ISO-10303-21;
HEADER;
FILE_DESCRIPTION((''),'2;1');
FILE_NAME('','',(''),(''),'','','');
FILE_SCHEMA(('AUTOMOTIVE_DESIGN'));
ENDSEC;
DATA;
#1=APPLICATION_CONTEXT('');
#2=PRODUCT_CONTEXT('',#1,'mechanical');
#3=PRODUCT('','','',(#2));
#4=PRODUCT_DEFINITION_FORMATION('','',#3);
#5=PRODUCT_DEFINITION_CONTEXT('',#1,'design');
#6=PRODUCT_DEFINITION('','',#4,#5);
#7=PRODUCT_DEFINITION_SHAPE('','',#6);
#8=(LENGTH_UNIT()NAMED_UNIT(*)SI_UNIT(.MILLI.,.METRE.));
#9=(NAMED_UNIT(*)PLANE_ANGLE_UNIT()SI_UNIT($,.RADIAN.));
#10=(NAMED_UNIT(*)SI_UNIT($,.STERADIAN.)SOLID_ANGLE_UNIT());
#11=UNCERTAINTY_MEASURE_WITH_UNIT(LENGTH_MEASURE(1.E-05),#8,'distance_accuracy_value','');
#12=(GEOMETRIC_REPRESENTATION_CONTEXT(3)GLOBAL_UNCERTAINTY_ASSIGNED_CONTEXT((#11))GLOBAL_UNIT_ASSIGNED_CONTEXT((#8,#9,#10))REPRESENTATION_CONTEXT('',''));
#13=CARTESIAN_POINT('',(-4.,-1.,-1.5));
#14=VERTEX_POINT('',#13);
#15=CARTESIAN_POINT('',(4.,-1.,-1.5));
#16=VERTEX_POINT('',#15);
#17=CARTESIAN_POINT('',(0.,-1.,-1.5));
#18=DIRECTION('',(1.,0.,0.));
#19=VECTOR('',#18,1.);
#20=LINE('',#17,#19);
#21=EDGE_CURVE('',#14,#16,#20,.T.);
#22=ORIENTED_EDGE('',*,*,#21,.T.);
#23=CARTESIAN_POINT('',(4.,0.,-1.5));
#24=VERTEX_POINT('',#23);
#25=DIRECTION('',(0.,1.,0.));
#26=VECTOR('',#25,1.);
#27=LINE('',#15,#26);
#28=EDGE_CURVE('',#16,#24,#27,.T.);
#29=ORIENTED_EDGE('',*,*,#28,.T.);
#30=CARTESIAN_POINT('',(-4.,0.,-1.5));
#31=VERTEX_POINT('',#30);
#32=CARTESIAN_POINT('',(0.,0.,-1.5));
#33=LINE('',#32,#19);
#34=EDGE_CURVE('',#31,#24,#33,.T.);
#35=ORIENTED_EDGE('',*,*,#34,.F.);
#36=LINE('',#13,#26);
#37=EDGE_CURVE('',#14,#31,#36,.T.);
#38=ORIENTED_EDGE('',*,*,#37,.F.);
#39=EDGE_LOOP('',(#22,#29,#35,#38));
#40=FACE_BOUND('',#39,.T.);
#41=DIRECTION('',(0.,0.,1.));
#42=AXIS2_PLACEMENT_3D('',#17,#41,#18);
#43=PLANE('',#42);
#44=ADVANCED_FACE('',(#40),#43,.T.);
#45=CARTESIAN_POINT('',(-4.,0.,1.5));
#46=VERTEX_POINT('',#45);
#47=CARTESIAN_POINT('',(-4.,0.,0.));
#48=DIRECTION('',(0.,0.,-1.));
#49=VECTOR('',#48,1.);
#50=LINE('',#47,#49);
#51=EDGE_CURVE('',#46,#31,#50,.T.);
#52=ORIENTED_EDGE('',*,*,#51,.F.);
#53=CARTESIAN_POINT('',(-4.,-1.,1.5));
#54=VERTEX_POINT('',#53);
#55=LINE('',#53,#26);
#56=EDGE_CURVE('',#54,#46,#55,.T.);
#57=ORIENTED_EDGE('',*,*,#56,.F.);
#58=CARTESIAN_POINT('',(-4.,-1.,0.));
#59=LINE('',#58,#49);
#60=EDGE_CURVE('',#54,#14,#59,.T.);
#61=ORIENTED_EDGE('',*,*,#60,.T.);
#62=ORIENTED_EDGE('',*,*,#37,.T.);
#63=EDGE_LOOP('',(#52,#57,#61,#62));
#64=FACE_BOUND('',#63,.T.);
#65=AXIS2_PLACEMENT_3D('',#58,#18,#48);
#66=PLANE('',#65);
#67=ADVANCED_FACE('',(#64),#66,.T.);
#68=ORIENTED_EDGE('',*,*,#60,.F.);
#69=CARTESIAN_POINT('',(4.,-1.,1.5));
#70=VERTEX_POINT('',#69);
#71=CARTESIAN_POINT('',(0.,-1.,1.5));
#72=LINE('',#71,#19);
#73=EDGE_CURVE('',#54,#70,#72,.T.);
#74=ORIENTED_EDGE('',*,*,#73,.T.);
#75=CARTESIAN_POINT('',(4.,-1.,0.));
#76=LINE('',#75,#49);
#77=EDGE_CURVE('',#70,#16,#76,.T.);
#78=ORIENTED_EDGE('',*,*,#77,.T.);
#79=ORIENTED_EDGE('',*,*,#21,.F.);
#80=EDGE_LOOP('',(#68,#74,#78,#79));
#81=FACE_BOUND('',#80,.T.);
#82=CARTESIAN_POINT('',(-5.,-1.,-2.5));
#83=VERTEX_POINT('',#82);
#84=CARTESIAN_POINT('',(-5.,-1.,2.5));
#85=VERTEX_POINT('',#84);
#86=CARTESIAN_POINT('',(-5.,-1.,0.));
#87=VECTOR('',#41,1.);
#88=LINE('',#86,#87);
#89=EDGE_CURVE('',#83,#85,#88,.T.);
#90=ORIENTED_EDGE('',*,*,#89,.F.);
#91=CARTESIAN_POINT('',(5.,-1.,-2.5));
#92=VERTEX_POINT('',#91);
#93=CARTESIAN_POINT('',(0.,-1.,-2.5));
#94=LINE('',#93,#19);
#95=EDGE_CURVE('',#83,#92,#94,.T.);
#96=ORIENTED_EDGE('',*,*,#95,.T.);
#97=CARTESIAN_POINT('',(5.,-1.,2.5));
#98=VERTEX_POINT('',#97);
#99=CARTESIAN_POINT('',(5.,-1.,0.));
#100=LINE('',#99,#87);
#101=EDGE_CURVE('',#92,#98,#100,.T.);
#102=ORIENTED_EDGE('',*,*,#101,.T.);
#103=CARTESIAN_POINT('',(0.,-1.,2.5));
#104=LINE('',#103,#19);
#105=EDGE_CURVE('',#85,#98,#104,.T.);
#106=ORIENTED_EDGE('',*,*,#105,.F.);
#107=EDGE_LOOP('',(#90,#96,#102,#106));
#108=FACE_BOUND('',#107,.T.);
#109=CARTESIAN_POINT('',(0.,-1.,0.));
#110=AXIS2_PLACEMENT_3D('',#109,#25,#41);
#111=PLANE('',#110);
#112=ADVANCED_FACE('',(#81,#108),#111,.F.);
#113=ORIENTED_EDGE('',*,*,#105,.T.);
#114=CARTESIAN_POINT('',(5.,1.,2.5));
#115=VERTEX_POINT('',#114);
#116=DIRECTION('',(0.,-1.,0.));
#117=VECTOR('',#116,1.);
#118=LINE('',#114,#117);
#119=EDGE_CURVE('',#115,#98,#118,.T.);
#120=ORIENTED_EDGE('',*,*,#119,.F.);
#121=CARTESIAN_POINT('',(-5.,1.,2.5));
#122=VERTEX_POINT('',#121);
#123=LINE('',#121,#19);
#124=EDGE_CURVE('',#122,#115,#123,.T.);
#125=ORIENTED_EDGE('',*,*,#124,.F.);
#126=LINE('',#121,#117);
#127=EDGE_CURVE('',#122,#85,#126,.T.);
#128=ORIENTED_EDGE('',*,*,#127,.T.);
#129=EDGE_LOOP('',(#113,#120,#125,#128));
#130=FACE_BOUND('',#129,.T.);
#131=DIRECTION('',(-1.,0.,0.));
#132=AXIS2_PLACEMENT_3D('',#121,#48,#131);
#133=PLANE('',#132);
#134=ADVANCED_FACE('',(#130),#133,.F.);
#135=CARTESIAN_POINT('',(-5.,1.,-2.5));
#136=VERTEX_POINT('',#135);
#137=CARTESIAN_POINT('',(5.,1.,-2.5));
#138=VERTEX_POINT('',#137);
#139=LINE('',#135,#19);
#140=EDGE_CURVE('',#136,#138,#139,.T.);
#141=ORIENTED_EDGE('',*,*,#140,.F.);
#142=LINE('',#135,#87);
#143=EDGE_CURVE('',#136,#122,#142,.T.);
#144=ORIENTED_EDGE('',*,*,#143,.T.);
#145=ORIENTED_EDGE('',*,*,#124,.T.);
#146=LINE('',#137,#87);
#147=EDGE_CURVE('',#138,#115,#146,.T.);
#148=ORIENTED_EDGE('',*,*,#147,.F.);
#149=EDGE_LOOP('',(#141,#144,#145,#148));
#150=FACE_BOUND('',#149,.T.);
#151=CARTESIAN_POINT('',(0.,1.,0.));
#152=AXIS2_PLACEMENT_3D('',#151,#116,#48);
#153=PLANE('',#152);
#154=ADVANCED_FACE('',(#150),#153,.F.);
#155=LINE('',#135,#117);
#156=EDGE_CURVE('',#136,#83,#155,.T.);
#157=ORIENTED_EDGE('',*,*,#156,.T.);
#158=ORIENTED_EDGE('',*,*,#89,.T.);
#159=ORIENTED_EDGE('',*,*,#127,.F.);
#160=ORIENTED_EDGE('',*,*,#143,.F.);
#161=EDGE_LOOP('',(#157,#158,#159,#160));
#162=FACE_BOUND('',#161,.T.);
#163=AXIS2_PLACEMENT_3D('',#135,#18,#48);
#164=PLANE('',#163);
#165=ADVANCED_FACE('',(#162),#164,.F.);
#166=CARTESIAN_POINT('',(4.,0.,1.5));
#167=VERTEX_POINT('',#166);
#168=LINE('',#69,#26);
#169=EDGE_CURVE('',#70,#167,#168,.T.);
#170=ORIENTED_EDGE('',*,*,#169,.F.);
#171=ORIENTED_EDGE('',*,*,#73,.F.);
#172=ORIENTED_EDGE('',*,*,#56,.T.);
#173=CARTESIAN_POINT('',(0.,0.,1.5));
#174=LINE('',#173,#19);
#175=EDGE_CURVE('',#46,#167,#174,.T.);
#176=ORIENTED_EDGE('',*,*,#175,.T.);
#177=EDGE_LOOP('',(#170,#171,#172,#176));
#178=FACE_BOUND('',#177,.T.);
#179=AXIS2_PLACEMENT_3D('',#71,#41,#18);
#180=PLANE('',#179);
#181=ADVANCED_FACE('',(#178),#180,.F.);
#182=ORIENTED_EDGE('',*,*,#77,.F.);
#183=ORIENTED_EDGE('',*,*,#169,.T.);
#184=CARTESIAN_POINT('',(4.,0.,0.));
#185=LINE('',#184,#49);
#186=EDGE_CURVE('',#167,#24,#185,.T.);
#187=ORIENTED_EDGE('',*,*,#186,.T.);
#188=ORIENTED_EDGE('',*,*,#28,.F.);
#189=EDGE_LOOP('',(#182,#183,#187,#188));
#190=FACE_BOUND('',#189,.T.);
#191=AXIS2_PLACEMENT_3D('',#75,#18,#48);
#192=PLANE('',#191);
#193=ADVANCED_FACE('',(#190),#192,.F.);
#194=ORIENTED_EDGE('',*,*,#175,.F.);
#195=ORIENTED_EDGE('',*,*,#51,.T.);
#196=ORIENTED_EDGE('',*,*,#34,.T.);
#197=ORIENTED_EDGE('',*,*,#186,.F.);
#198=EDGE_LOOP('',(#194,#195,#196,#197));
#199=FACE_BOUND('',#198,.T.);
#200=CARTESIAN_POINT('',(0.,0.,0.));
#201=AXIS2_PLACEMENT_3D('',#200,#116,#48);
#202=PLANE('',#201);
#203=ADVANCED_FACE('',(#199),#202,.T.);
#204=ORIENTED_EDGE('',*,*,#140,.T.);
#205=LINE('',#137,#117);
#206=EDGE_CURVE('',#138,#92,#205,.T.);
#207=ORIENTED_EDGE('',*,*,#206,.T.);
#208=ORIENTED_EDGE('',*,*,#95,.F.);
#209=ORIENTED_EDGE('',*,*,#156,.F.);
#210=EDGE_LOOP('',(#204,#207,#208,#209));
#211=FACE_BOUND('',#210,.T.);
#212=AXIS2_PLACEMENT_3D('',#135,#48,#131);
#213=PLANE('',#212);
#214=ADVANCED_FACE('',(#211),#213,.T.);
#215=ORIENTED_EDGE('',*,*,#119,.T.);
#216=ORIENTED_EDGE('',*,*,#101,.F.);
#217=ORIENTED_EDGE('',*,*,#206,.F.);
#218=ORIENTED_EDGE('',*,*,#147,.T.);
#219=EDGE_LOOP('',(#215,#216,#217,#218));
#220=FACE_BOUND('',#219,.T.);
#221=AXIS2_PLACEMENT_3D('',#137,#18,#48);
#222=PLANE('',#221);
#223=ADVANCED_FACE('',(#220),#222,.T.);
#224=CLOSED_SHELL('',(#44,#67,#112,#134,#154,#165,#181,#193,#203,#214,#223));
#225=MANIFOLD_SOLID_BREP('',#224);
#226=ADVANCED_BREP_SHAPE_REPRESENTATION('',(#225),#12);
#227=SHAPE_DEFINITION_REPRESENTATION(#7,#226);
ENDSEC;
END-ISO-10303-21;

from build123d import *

# Parameters (mm, degrees)
SKETCH1_W           = 10
SKETCH1_H           = 5
BOSS_EXTRUDE1_DEPTH = 1
SKETCH1_3_W         = 10
SKETCH1_3_H         = 5
BOSS_EXTRUDE2_DEPTH = 1


with BuildPart() as part:
    # Sketch1 → Boss-Extrude1 (new body)
    with BuildSketch(Plane(origin=(0, 0, 0), x_dir=(1, 0, 0), z_dir=(0, 1, 0))):
        Rectangle(SKETCH1_W, SKETCH1_H)
    extrude(amount=BOSS_EXTRUDE1_DEPTH)

    # Sketch1<3> → Boss-Extrude2 (add)
    with BuildSketch(Plane(origin=(0, 0, 0), x_dir=(1, 0, 0), z_dir=(0, 1, 0))):
        Rectangle(SKETCH1_3_W, SKETCH1_3_H)
        Polygon((-2.5, -1.5), (-4, -1.5), (-4, 0), (-4, 1.5), (-2.5, 1.5), (2.5, 1.5), (4, 1.5), (4, 0), (4, -1.5), (2.5, -1.5), align=None, mode=Mode.SUBTRACT)
    extrude(amount=-BOSS_EXTRUDE2_DEPTH)


solid = part.part
